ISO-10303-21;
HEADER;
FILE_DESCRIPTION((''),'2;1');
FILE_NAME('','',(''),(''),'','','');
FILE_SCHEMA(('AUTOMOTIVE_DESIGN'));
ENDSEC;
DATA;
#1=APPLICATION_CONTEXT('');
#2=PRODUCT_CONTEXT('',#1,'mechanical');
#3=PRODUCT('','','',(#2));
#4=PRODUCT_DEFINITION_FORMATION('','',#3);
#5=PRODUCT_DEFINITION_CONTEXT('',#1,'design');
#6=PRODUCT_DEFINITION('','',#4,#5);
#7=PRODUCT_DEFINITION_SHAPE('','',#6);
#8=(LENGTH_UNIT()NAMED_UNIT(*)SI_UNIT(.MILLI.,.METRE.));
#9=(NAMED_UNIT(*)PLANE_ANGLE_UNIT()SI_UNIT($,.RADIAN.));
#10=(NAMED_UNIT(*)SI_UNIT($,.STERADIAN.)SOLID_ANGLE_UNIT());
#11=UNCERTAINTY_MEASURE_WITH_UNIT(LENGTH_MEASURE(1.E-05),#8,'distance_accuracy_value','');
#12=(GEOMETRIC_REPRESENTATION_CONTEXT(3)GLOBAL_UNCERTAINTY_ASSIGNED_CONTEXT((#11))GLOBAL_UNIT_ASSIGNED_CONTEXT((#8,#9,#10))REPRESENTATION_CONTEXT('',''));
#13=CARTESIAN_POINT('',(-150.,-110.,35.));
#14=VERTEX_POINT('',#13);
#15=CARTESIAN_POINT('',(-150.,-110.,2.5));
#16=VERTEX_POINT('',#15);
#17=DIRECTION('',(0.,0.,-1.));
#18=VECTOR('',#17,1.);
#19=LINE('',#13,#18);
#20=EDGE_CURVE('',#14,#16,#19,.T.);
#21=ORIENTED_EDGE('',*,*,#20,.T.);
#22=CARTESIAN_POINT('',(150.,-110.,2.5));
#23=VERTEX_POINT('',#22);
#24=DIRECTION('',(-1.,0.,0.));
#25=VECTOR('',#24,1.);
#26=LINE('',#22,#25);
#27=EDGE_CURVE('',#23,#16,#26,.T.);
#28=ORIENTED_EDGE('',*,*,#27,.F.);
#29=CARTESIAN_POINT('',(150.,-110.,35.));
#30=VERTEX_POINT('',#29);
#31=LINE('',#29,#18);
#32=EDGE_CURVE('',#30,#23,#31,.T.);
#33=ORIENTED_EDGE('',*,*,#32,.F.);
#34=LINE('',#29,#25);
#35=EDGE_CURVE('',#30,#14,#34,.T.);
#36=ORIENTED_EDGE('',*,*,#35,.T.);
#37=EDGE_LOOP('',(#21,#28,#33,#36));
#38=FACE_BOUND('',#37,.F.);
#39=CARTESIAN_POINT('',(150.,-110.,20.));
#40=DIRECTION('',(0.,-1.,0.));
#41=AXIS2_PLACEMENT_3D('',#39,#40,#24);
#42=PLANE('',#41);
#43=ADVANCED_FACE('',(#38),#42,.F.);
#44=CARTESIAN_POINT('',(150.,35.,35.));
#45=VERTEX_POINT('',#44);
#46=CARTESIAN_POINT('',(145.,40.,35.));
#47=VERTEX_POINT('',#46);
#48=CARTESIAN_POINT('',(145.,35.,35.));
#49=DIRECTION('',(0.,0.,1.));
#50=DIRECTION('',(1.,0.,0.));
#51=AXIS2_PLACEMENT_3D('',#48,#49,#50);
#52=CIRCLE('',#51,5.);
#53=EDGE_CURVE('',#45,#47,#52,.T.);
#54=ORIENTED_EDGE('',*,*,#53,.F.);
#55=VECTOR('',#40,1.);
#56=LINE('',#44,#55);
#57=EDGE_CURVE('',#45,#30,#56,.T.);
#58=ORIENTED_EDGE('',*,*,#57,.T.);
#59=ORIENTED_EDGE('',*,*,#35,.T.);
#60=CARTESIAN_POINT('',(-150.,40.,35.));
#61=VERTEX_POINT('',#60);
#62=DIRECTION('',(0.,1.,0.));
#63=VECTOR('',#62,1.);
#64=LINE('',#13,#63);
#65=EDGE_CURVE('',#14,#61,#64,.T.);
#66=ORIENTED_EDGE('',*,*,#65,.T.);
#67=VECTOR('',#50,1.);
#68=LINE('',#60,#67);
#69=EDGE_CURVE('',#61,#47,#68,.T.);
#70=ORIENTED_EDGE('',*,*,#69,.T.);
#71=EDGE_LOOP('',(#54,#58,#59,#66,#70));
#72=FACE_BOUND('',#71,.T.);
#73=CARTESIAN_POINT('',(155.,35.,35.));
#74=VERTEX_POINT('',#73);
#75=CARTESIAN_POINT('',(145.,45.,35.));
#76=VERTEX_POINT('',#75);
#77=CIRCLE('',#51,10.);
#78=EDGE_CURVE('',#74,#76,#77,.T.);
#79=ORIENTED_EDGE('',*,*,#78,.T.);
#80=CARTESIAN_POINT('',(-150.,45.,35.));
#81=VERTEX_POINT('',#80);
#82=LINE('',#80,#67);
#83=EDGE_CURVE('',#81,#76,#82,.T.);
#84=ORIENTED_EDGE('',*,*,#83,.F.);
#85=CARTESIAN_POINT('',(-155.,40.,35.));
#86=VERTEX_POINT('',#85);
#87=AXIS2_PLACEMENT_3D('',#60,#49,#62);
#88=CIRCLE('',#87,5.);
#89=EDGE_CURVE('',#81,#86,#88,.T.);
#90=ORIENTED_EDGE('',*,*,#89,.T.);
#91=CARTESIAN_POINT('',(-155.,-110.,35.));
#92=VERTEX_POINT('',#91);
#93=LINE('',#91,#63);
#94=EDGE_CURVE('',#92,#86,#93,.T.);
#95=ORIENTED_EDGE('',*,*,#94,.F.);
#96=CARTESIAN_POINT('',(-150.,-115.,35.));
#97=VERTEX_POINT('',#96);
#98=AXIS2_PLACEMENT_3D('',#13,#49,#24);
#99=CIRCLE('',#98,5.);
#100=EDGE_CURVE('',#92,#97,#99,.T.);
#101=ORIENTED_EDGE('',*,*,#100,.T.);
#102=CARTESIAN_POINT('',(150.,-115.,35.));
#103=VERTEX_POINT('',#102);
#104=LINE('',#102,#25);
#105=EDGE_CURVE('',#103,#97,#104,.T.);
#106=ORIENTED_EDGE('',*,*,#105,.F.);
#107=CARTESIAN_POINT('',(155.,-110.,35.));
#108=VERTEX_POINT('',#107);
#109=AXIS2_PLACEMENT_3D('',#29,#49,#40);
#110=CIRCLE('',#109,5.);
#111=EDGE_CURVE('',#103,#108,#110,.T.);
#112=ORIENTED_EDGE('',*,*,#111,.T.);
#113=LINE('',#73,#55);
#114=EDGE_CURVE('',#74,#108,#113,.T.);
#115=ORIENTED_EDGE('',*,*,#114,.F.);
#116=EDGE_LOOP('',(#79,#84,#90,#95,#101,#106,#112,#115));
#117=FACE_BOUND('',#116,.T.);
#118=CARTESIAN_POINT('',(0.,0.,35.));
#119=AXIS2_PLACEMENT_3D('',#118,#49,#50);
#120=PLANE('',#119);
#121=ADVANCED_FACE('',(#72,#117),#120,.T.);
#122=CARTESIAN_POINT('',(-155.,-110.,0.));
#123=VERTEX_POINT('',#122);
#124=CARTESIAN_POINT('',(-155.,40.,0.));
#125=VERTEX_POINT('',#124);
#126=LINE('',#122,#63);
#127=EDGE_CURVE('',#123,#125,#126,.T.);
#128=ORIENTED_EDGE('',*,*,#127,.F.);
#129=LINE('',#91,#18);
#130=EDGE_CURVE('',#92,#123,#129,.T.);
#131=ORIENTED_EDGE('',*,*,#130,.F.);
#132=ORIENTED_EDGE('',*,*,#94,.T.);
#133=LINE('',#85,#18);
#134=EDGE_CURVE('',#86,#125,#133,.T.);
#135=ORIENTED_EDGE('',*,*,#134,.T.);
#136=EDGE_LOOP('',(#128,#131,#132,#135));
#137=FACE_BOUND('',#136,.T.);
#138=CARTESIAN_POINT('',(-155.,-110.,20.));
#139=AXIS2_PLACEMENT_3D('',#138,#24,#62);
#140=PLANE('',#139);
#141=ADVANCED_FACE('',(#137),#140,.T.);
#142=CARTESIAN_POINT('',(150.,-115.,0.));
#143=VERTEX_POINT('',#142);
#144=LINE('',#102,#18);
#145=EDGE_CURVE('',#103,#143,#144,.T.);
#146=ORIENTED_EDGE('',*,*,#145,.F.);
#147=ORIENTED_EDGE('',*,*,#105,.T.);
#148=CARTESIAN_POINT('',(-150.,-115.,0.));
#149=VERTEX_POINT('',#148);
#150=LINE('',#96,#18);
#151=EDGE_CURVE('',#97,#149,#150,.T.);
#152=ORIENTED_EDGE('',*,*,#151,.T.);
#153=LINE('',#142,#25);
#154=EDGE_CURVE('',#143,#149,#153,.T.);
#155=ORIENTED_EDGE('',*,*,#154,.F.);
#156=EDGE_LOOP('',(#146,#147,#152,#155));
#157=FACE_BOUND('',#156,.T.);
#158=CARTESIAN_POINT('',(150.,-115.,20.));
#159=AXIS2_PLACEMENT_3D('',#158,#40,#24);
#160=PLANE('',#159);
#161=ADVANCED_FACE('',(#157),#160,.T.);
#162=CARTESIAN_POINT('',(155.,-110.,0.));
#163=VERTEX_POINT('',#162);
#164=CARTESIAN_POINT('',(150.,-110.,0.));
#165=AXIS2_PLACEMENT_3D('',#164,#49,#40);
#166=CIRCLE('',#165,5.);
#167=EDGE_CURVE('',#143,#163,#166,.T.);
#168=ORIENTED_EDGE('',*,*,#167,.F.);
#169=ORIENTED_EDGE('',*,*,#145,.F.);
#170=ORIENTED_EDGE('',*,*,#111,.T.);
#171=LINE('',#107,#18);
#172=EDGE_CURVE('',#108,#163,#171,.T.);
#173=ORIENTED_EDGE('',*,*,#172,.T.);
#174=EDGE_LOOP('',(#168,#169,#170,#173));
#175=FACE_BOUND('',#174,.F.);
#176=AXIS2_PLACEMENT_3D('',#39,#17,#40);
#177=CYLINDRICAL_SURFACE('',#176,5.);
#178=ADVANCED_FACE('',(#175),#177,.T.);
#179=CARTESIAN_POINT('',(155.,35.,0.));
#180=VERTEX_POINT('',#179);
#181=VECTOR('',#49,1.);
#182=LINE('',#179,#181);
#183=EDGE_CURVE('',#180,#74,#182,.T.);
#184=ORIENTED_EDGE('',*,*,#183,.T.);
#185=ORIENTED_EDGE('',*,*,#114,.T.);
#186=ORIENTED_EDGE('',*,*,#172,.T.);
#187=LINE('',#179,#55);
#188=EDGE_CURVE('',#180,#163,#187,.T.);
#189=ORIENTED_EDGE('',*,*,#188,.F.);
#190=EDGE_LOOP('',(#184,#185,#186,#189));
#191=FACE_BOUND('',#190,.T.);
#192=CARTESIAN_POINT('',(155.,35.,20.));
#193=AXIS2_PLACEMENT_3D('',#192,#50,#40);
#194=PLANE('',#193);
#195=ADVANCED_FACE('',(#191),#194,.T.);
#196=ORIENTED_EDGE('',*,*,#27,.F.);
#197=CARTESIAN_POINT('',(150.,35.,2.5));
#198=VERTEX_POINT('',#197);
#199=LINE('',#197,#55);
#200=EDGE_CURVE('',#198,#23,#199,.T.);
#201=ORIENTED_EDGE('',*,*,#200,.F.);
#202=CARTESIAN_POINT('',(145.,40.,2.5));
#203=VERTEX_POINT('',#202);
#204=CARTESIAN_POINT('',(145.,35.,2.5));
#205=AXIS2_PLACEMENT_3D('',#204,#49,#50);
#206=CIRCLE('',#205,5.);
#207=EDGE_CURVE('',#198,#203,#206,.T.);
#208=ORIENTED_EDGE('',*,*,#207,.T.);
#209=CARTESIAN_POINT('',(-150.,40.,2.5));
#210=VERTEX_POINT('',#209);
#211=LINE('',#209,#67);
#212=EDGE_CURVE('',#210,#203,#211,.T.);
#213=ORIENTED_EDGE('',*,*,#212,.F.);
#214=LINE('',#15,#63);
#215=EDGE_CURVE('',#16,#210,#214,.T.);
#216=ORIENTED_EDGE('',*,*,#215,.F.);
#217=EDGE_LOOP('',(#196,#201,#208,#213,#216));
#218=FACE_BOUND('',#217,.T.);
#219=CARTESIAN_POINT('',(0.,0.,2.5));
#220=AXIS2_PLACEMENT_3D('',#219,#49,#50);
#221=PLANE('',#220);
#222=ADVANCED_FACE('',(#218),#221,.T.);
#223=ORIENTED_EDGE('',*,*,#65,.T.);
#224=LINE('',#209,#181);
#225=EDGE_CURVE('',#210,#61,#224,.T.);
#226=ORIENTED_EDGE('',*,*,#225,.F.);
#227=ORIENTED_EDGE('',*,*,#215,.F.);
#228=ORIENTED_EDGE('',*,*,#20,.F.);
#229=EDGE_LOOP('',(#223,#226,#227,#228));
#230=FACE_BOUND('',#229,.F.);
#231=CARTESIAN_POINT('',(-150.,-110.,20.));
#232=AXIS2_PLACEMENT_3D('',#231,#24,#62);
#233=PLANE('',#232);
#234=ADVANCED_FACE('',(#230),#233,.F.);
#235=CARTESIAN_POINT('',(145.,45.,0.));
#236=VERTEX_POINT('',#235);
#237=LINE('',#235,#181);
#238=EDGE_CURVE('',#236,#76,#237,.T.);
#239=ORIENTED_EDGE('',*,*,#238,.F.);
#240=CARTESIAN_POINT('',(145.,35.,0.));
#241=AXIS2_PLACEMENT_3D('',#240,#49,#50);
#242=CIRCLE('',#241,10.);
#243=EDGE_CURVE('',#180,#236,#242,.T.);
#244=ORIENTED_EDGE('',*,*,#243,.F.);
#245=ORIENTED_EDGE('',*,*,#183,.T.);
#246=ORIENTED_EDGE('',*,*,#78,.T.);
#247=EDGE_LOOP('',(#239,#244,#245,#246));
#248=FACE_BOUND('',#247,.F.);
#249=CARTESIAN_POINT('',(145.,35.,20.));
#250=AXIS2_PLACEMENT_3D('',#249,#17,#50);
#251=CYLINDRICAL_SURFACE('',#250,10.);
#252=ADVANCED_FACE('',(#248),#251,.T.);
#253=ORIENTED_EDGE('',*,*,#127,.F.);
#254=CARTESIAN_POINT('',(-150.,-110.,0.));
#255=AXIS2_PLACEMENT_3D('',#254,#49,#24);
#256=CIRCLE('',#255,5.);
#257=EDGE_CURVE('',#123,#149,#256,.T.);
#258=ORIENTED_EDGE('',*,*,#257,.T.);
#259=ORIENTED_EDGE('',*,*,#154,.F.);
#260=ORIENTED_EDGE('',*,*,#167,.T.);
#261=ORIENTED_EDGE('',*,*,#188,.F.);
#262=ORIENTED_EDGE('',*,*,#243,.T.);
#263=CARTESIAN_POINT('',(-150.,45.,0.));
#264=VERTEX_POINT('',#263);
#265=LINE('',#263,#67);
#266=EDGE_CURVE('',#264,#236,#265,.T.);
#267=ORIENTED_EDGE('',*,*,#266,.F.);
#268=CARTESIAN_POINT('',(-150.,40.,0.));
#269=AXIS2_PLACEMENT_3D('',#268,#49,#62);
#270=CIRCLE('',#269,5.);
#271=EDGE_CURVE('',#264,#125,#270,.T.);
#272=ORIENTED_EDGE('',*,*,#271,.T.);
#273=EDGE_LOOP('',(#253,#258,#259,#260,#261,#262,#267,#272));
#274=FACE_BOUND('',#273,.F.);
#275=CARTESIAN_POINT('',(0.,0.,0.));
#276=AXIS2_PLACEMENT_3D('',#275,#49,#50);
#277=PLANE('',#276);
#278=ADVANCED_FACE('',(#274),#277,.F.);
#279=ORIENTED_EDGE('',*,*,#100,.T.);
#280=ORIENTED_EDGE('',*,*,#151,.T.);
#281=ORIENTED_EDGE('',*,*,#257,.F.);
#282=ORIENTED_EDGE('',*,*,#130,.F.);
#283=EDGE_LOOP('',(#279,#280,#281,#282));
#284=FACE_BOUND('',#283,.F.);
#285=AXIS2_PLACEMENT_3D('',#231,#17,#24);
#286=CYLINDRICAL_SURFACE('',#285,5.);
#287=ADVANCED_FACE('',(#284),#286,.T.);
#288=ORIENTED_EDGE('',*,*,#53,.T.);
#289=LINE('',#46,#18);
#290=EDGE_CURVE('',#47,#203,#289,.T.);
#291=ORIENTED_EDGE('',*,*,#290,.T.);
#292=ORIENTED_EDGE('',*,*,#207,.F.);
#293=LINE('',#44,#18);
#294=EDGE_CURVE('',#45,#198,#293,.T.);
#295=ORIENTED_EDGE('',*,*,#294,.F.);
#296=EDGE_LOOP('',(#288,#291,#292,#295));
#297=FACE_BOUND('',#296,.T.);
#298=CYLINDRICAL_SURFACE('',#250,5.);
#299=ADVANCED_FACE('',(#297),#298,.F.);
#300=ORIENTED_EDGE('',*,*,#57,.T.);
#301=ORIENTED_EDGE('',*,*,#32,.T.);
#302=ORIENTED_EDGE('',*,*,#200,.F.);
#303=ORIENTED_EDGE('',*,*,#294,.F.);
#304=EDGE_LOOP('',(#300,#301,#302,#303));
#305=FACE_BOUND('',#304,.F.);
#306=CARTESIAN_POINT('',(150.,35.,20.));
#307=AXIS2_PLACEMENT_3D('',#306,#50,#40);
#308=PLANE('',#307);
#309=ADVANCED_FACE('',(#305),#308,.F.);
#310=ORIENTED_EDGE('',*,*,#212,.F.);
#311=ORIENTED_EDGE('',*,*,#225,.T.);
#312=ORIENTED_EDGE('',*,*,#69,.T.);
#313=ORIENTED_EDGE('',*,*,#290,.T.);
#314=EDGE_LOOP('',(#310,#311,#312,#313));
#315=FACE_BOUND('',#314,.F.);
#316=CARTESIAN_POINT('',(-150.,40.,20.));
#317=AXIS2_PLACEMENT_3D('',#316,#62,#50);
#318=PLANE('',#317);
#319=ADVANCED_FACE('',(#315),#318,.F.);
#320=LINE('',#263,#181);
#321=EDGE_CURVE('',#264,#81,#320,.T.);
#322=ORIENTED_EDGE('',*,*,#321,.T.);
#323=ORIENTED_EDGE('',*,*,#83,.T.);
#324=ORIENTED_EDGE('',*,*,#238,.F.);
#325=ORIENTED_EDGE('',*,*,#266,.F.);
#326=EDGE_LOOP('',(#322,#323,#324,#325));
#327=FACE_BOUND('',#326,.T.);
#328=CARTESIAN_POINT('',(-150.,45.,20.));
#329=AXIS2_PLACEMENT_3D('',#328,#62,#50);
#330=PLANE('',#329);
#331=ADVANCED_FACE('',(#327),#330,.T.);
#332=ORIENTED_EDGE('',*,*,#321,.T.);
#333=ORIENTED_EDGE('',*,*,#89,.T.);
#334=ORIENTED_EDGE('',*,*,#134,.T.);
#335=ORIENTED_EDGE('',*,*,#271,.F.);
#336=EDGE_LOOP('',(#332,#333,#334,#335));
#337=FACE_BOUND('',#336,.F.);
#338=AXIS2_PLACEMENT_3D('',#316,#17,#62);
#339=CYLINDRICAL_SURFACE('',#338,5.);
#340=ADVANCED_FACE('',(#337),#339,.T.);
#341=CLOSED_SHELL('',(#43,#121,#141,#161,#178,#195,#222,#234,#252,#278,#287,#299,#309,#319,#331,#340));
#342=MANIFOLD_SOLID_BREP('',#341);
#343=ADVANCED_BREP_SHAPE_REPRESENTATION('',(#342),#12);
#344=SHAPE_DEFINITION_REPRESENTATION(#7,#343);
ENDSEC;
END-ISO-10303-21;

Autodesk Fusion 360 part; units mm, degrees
sketch "Sketch1" plane through (0, 0, 0) normal (0, 0, 1) x (1, 0, 0)
  line L0 (-150, 40) -> (145, 40)
  line L1 (150, 35) -> (150, -110)
  line L2 (150, -110) -> (-150, -110)
  line L3 (-150, -110) -> (-150, 40)
  arc A0 (150, 35) -> (145, 40) centre (145, 35) ccw
  line L4 (155, 35) -> (155, -110)
  line L5 (150, -115) -> (-150, -115)
  line L6 (-155, -110) -> (-155, 40)
  line L7 (-150, 45) -> (145, 45)
  arc A1 (155, 35) -> (145, 45) centre (145, 35) ccw
  arc A2 (-150, 45) -> (-155, 40) centre (-150, 40) ccw
  arc A3 (-155, -110) -> (-150, -115) centre (-150, -110) ccw
  arc A4 (150, -115) -> (155, -110) centre (150, -110) ccw
  point P0 (150, 40)
  dimension "d1" = 300
  dimension "d2" = 150
  dimension "d4" = 5
  dimension "d5" = 5
  dimension "d6" = 5
  dimension "d7" = 5
  dimension "d8" = 5
extrude "Extrude1" add sketch "Sketch1" along normal blind 20
extrude "Extrude2" add sketch "Sketch1" along normal blind 2.5 contours L0 L1 L2 L3 A0
extrude "Extrude3" add 1 faces at (50, -111.6667, 20) along direction (0, 0, 1) blind 15
